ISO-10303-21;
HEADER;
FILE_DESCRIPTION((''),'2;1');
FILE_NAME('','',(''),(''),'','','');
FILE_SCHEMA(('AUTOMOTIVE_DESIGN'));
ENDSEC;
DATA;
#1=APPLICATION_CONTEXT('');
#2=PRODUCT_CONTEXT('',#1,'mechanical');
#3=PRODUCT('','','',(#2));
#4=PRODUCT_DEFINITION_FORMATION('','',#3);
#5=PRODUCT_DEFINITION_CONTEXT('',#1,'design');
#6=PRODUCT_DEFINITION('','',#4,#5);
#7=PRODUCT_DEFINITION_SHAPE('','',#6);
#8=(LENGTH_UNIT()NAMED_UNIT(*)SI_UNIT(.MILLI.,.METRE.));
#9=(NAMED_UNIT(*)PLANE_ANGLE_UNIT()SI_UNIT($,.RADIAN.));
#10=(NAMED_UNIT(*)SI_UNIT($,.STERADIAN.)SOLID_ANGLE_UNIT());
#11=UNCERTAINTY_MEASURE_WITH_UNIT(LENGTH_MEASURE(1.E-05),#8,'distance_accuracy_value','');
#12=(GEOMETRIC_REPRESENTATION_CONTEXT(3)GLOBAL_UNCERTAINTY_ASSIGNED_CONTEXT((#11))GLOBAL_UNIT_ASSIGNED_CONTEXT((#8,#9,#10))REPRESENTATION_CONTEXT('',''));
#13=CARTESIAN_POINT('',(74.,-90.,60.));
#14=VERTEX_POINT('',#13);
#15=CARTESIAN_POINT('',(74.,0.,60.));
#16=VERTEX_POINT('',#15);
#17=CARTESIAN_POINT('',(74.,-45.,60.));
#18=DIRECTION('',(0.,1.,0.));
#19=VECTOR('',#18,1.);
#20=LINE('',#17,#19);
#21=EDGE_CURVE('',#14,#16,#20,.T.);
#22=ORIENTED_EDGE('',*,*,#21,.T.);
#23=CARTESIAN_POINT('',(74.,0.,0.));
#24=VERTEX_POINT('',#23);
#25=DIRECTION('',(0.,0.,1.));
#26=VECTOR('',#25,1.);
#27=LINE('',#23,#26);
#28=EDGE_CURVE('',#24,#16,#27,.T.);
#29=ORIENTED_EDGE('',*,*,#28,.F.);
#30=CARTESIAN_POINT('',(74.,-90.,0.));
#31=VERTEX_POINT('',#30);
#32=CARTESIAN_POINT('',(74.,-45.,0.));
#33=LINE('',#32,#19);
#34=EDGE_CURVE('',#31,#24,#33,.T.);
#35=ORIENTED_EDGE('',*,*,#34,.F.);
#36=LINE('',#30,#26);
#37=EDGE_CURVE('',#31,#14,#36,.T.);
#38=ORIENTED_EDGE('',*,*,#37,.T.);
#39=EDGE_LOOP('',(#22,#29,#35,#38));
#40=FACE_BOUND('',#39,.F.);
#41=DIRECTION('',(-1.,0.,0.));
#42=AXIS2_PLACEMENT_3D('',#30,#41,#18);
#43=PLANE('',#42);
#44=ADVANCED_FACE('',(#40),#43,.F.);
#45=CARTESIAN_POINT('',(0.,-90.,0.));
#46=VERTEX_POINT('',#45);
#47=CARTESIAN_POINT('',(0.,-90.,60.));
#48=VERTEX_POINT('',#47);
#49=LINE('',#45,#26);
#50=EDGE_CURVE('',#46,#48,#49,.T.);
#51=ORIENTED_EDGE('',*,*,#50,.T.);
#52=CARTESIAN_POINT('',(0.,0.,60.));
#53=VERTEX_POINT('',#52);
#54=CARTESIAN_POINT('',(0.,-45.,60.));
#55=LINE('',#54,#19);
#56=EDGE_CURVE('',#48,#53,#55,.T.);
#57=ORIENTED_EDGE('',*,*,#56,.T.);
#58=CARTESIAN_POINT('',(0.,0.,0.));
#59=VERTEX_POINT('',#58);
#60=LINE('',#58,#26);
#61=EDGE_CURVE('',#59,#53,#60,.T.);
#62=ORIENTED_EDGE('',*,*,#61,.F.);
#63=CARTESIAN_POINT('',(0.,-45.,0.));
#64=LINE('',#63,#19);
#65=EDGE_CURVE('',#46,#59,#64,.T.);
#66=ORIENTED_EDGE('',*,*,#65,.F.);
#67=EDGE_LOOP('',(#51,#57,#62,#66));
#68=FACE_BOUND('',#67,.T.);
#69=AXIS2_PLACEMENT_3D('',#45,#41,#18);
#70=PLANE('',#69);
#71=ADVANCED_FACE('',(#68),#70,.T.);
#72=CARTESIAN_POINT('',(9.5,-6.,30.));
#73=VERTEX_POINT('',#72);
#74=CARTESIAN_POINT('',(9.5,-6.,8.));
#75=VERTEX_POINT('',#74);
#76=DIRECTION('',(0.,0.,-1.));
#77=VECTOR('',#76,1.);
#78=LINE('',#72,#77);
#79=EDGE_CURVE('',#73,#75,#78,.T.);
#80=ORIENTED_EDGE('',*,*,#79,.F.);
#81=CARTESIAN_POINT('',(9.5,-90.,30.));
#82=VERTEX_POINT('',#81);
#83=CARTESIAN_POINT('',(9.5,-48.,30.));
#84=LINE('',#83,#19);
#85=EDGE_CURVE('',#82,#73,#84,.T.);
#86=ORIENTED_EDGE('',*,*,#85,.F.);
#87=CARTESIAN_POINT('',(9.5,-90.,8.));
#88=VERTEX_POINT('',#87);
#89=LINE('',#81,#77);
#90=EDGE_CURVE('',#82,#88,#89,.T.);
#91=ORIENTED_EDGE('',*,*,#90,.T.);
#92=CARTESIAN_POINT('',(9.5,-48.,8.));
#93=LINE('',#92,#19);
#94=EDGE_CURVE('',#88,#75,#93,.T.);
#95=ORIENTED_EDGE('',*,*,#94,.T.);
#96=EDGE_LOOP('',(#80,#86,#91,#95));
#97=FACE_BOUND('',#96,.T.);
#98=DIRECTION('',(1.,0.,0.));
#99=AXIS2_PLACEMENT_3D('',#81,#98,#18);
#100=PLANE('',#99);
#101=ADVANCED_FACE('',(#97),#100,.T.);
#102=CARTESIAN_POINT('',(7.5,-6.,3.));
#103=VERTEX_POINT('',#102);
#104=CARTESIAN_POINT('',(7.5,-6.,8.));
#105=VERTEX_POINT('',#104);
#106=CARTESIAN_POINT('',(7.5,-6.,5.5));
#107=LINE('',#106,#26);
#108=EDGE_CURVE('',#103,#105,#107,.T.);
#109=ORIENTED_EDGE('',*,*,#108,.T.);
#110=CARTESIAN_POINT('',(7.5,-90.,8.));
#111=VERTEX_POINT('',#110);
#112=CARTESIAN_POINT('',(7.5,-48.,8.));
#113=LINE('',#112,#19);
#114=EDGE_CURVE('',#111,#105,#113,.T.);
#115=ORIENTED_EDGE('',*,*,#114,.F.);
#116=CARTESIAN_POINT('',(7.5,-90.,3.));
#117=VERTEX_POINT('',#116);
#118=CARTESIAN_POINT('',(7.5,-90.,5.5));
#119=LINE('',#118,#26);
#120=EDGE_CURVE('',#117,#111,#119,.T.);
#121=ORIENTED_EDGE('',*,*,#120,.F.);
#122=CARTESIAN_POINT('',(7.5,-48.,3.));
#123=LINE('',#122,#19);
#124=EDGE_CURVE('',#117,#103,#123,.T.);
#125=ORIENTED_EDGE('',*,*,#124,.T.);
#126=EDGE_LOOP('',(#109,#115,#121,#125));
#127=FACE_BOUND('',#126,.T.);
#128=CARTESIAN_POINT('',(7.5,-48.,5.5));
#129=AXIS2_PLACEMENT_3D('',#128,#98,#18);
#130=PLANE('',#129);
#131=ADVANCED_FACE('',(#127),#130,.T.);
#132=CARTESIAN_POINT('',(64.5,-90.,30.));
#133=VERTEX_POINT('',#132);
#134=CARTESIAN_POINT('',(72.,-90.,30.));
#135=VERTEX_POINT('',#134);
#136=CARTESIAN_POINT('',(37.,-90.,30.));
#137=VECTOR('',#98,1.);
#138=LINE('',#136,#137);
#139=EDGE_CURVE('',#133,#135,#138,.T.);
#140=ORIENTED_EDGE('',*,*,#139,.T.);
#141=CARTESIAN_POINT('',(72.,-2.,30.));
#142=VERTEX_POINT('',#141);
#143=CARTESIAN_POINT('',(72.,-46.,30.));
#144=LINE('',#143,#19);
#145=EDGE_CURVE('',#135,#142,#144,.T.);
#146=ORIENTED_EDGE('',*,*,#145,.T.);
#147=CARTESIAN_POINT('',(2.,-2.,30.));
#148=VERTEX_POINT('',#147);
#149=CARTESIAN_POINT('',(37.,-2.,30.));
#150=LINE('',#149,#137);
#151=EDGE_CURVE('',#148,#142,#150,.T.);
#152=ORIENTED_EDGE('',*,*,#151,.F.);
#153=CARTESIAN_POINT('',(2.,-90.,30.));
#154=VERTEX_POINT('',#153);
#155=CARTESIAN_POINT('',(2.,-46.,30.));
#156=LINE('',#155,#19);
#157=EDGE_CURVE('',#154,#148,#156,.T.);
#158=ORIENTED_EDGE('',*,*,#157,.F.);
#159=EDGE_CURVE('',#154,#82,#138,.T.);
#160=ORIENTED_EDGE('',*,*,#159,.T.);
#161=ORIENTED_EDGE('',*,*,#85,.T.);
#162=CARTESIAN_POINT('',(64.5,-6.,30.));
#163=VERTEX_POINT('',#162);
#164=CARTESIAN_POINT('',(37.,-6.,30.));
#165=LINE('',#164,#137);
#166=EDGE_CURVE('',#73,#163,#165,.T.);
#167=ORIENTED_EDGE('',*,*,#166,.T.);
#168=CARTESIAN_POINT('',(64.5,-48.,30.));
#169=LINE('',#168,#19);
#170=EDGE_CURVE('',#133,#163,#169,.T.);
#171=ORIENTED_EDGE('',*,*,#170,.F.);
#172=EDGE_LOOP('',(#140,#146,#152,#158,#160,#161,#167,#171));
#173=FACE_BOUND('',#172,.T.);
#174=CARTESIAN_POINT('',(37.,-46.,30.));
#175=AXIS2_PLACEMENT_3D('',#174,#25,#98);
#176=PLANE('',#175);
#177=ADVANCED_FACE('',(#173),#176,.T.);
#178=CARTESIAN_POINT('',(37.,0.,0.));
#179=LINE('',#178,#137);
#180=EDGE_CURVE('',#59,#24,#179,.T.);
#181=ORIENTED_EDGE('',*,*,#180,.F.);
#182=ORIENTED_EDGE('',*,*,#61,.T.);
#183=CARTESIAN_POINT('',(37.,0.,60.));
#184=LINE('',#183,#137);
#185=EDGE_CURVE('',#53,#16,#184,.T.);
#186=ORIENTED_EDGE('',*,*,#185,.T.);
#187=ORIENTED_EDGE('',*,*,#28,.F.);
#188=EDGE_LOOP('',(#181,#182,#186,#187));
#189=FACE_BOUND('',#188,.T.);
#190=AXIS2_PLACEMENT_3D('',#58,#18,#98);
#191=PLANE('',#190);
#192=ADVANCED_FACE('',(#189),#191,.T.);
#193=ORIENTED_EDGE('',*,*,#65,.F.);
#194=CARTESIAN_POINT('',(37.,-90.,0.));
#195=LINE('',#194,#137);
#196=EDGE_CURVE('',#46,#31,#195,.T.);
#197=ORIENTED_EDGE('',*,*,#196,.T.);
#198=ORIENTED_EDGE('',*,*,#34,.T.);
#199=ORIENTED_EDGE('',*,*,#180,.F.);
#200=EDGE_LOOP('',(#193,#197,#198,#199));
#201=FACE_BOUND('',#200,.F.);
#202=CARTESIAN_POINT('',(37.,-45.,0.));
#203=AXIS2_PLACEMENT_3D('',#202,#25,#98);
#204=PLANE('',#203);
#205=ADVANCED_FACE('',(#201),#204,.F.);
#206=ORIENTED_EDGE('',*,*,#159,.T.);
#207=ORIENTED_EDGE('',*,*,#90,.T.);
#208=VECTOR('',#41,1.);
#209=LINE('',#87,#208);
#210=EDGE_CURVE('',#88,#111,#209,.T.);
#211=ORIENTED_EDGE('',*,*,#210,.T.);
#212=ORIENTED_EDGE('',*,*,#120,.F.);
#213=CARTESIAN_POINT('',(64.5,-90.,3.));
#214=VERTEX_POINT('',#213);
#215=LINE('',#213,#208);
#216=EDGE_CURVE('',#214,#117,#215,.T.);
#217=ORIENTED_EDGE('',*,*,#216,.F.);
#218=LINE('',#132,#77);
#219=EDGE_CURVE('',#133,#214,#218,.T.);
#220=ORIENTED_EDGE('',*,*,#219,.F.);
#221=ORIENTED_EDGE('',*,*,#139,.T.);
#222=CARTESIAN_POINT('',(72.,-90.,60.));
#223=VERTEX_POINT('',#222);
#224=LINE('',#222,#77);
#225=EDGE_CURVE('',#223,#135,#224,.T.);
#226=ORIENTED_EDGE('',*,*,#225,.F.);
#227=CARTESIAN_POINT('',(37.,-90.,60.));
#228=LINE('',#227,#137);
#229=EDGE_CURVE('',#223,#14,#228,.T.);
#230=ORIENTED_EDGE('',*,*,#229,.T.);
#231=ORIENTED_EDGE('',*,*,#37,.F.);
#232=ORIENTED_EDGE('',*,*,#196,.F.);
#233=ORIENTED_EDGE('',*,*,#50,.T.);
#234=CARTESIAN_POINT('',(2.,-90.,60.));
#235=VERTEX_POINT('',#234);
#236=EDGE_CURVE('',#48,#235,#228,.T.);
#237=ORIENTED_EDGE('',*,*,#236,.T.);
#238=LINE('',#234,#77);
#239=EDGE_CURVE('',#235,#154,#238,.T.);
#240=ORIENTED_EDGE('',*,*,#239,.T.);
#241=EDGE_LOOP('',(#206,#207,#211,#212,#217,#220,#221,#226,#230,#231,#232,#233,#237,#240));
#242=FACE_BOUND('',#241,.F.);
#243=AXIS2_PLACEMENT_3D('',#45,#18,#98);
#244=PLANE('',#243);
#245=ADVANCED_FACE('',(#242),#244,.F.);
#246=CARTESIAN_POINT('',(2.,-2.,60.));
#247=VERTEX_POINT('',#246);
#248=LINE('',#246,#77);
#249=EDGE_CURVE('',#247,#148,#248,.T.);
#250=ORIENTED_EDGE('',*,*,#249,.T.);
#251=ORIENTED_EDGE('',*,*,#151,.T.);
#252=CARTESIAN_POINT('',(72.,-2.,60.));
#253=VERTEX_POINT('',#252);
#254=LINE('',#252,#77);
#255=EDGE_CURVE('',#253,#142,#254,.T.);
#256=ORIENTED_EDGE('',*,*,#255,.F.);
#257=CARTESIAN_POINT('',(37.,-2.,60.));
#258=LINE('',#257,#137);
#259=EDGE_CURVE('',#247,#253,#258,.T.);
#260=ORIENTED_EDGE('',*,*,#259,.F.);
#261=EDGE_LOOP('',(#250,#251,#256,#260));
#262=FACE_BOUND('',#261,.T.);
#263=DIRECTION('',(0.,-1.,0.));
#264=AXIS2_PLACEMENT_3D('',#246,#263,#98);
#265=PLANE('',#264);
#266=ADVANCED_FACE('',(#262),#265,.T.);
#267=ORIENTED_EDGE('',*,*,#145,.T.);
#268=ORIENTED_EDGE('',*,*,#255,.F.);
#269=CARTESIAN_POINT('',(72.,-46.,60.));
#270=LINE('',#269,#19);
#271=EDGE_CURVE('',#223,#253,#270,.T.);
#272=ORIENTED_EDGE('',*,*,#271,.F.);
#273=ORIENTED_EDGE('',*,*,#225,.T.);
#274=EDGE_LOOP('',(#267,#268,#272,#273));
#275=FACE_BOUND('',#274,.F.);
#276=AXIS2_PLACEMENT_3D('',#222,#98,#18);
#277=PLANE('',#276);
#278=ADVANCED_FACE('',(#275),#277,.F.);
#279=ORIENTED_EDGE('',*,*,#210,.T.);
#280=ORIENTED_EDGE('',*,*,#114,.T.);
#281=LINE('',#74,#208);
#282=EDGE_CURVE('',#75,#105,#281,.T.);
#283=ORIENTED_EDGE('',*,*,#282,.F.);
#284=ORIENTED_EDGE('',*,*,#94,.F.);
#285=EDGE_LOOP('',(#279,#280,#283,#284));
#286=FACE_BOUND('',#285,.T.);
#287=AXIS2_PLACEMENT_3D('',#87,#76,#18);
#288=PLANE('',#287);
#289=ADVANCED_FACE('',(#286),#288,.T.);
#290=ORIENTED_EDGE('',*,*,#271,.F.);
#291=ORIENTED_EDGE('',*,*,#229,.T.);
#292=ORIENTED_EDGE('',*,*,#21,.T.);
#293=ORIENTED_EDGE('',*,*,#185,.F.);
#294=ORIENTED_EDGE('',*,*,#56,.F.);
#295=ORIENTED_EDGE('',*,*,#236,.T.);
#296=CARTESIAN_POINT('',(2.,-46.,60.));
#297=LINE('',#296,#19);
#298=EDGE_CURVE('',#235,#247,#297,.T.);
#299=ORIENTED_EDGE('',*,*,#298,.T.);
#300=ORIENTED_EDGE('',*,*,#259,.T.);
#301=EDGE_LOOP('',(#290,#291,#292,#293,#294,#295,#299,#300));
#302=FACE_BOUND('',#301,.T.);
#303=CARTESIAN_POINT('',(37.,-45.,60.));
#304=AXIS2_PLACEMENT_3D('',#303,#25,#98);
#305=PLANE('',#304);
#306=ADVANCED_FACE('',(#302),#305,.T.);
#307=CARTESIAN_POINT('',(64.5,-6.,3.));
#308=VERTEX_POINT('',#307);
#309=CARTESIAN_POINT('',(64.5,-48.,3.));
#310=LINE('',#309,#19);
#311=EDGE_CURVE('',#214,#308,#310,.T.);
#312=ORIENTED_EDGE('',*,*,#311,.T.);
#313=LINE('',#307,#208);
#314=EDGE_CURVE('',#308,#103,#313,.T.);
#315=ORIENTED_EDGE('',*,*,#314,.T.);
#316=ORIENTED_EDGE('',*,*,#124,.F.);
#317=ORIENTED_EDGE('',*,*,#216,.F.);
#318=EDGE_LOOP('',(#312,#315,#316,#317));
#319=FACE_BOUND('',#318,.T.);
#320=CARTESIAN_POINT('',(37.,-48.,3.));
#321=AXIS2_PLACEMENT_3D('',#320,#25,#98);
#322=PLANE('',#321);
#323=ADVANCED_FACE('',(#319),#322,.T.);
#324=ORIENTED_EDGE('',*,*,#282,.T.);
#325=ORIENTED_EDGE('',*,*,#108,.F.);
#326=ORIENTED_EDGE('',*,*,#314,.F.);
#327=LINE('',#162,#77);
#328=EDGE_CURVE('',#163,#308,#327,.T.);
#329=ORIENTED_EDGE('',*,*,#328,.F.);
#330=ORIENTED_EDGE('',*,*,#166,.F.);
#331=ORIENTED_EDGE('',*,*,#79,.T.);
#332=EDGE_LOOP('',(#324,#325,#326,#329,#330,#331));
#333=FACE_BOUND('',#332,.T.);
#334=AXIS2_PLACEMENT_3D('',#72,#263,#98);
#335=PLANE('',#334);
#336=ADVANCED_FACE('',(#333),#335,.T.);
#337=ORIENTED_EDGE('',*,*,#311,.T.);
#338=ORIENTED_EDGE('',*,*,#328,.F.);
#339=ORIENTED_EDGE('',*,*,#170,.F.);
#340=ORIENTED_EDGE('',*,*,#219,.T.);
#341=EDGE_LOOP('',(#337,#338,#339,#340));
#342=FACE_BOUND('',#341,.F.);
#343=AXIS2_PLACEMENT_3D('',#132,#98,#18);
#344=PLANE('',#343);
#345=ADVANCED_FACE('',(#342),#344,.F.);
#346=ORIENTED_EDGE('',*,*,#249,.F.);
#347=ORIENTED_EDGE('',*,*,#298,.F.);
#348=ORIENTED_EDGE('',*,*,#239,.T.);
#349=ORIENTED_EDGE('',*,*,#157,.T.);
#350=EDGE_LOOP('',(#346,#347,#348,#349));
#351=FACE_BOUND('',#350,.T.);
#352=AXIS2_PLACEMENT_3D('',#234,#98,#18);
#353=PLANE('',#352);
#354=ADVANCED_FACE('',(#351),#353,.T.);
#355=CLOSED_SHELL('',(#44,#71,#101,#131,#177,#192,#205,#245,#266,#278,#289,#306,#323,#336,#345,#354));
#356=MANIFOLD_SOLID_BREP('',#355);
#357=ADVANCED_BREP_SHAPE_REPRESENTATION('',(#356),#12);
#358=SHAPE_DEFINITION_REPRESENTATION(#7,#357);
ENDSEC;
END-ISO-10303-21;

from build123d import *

# Parameters (mm, degrees)
F0_W     = 74
F0_H     = 90
F1_DEPTH = 60
F2_W     = 70
F2_H     = 88
F3_DEPTH = 30
F4_W     = 55
F4_H     = 84
F5_DEPTH = 27
F6_W     = 84
F6_H     = 5
F7_DEPTH = 2


with BuildPart() as f1:
    # F0 (on Top) → F1 (new body)
    with BuildSketch(Plane.XY):
        with Locations((37, -45)):
            Rectangle(F0_W, F0_H)
    extrude(amount=F1_DEPTH)

    # F2 (on face) → F3 (cut)
    with BuildSketch(Plane.XY.offset(60)):
        with Locations((37, -46)):
            Rectangle(F2_W, F2_H)
    extrude(amount=-F3_DEPTH, mode=Mode.SUBTRACT)

    # F4 (on face) → F5 (cut)
    with BuildSketch(Plane.XY.offset(30)):
        with Locations((37, -48)):
            Rectangle(F4_W, F4_H)
    extrude(amount=-F5_DEPTH, mode=Mode.SUBTRACT)

    # F6 (on face) → F7 (cut)
    with BuildSketch(Plane.YZ.offset(9.5)):
        with Locations((-48, 5.5)):
            Rectangle(F6_W, F6_H)
    extrude(amount=-F7_DEPTH, mode=Mode.SUBTRACT)


solid = f1.part
